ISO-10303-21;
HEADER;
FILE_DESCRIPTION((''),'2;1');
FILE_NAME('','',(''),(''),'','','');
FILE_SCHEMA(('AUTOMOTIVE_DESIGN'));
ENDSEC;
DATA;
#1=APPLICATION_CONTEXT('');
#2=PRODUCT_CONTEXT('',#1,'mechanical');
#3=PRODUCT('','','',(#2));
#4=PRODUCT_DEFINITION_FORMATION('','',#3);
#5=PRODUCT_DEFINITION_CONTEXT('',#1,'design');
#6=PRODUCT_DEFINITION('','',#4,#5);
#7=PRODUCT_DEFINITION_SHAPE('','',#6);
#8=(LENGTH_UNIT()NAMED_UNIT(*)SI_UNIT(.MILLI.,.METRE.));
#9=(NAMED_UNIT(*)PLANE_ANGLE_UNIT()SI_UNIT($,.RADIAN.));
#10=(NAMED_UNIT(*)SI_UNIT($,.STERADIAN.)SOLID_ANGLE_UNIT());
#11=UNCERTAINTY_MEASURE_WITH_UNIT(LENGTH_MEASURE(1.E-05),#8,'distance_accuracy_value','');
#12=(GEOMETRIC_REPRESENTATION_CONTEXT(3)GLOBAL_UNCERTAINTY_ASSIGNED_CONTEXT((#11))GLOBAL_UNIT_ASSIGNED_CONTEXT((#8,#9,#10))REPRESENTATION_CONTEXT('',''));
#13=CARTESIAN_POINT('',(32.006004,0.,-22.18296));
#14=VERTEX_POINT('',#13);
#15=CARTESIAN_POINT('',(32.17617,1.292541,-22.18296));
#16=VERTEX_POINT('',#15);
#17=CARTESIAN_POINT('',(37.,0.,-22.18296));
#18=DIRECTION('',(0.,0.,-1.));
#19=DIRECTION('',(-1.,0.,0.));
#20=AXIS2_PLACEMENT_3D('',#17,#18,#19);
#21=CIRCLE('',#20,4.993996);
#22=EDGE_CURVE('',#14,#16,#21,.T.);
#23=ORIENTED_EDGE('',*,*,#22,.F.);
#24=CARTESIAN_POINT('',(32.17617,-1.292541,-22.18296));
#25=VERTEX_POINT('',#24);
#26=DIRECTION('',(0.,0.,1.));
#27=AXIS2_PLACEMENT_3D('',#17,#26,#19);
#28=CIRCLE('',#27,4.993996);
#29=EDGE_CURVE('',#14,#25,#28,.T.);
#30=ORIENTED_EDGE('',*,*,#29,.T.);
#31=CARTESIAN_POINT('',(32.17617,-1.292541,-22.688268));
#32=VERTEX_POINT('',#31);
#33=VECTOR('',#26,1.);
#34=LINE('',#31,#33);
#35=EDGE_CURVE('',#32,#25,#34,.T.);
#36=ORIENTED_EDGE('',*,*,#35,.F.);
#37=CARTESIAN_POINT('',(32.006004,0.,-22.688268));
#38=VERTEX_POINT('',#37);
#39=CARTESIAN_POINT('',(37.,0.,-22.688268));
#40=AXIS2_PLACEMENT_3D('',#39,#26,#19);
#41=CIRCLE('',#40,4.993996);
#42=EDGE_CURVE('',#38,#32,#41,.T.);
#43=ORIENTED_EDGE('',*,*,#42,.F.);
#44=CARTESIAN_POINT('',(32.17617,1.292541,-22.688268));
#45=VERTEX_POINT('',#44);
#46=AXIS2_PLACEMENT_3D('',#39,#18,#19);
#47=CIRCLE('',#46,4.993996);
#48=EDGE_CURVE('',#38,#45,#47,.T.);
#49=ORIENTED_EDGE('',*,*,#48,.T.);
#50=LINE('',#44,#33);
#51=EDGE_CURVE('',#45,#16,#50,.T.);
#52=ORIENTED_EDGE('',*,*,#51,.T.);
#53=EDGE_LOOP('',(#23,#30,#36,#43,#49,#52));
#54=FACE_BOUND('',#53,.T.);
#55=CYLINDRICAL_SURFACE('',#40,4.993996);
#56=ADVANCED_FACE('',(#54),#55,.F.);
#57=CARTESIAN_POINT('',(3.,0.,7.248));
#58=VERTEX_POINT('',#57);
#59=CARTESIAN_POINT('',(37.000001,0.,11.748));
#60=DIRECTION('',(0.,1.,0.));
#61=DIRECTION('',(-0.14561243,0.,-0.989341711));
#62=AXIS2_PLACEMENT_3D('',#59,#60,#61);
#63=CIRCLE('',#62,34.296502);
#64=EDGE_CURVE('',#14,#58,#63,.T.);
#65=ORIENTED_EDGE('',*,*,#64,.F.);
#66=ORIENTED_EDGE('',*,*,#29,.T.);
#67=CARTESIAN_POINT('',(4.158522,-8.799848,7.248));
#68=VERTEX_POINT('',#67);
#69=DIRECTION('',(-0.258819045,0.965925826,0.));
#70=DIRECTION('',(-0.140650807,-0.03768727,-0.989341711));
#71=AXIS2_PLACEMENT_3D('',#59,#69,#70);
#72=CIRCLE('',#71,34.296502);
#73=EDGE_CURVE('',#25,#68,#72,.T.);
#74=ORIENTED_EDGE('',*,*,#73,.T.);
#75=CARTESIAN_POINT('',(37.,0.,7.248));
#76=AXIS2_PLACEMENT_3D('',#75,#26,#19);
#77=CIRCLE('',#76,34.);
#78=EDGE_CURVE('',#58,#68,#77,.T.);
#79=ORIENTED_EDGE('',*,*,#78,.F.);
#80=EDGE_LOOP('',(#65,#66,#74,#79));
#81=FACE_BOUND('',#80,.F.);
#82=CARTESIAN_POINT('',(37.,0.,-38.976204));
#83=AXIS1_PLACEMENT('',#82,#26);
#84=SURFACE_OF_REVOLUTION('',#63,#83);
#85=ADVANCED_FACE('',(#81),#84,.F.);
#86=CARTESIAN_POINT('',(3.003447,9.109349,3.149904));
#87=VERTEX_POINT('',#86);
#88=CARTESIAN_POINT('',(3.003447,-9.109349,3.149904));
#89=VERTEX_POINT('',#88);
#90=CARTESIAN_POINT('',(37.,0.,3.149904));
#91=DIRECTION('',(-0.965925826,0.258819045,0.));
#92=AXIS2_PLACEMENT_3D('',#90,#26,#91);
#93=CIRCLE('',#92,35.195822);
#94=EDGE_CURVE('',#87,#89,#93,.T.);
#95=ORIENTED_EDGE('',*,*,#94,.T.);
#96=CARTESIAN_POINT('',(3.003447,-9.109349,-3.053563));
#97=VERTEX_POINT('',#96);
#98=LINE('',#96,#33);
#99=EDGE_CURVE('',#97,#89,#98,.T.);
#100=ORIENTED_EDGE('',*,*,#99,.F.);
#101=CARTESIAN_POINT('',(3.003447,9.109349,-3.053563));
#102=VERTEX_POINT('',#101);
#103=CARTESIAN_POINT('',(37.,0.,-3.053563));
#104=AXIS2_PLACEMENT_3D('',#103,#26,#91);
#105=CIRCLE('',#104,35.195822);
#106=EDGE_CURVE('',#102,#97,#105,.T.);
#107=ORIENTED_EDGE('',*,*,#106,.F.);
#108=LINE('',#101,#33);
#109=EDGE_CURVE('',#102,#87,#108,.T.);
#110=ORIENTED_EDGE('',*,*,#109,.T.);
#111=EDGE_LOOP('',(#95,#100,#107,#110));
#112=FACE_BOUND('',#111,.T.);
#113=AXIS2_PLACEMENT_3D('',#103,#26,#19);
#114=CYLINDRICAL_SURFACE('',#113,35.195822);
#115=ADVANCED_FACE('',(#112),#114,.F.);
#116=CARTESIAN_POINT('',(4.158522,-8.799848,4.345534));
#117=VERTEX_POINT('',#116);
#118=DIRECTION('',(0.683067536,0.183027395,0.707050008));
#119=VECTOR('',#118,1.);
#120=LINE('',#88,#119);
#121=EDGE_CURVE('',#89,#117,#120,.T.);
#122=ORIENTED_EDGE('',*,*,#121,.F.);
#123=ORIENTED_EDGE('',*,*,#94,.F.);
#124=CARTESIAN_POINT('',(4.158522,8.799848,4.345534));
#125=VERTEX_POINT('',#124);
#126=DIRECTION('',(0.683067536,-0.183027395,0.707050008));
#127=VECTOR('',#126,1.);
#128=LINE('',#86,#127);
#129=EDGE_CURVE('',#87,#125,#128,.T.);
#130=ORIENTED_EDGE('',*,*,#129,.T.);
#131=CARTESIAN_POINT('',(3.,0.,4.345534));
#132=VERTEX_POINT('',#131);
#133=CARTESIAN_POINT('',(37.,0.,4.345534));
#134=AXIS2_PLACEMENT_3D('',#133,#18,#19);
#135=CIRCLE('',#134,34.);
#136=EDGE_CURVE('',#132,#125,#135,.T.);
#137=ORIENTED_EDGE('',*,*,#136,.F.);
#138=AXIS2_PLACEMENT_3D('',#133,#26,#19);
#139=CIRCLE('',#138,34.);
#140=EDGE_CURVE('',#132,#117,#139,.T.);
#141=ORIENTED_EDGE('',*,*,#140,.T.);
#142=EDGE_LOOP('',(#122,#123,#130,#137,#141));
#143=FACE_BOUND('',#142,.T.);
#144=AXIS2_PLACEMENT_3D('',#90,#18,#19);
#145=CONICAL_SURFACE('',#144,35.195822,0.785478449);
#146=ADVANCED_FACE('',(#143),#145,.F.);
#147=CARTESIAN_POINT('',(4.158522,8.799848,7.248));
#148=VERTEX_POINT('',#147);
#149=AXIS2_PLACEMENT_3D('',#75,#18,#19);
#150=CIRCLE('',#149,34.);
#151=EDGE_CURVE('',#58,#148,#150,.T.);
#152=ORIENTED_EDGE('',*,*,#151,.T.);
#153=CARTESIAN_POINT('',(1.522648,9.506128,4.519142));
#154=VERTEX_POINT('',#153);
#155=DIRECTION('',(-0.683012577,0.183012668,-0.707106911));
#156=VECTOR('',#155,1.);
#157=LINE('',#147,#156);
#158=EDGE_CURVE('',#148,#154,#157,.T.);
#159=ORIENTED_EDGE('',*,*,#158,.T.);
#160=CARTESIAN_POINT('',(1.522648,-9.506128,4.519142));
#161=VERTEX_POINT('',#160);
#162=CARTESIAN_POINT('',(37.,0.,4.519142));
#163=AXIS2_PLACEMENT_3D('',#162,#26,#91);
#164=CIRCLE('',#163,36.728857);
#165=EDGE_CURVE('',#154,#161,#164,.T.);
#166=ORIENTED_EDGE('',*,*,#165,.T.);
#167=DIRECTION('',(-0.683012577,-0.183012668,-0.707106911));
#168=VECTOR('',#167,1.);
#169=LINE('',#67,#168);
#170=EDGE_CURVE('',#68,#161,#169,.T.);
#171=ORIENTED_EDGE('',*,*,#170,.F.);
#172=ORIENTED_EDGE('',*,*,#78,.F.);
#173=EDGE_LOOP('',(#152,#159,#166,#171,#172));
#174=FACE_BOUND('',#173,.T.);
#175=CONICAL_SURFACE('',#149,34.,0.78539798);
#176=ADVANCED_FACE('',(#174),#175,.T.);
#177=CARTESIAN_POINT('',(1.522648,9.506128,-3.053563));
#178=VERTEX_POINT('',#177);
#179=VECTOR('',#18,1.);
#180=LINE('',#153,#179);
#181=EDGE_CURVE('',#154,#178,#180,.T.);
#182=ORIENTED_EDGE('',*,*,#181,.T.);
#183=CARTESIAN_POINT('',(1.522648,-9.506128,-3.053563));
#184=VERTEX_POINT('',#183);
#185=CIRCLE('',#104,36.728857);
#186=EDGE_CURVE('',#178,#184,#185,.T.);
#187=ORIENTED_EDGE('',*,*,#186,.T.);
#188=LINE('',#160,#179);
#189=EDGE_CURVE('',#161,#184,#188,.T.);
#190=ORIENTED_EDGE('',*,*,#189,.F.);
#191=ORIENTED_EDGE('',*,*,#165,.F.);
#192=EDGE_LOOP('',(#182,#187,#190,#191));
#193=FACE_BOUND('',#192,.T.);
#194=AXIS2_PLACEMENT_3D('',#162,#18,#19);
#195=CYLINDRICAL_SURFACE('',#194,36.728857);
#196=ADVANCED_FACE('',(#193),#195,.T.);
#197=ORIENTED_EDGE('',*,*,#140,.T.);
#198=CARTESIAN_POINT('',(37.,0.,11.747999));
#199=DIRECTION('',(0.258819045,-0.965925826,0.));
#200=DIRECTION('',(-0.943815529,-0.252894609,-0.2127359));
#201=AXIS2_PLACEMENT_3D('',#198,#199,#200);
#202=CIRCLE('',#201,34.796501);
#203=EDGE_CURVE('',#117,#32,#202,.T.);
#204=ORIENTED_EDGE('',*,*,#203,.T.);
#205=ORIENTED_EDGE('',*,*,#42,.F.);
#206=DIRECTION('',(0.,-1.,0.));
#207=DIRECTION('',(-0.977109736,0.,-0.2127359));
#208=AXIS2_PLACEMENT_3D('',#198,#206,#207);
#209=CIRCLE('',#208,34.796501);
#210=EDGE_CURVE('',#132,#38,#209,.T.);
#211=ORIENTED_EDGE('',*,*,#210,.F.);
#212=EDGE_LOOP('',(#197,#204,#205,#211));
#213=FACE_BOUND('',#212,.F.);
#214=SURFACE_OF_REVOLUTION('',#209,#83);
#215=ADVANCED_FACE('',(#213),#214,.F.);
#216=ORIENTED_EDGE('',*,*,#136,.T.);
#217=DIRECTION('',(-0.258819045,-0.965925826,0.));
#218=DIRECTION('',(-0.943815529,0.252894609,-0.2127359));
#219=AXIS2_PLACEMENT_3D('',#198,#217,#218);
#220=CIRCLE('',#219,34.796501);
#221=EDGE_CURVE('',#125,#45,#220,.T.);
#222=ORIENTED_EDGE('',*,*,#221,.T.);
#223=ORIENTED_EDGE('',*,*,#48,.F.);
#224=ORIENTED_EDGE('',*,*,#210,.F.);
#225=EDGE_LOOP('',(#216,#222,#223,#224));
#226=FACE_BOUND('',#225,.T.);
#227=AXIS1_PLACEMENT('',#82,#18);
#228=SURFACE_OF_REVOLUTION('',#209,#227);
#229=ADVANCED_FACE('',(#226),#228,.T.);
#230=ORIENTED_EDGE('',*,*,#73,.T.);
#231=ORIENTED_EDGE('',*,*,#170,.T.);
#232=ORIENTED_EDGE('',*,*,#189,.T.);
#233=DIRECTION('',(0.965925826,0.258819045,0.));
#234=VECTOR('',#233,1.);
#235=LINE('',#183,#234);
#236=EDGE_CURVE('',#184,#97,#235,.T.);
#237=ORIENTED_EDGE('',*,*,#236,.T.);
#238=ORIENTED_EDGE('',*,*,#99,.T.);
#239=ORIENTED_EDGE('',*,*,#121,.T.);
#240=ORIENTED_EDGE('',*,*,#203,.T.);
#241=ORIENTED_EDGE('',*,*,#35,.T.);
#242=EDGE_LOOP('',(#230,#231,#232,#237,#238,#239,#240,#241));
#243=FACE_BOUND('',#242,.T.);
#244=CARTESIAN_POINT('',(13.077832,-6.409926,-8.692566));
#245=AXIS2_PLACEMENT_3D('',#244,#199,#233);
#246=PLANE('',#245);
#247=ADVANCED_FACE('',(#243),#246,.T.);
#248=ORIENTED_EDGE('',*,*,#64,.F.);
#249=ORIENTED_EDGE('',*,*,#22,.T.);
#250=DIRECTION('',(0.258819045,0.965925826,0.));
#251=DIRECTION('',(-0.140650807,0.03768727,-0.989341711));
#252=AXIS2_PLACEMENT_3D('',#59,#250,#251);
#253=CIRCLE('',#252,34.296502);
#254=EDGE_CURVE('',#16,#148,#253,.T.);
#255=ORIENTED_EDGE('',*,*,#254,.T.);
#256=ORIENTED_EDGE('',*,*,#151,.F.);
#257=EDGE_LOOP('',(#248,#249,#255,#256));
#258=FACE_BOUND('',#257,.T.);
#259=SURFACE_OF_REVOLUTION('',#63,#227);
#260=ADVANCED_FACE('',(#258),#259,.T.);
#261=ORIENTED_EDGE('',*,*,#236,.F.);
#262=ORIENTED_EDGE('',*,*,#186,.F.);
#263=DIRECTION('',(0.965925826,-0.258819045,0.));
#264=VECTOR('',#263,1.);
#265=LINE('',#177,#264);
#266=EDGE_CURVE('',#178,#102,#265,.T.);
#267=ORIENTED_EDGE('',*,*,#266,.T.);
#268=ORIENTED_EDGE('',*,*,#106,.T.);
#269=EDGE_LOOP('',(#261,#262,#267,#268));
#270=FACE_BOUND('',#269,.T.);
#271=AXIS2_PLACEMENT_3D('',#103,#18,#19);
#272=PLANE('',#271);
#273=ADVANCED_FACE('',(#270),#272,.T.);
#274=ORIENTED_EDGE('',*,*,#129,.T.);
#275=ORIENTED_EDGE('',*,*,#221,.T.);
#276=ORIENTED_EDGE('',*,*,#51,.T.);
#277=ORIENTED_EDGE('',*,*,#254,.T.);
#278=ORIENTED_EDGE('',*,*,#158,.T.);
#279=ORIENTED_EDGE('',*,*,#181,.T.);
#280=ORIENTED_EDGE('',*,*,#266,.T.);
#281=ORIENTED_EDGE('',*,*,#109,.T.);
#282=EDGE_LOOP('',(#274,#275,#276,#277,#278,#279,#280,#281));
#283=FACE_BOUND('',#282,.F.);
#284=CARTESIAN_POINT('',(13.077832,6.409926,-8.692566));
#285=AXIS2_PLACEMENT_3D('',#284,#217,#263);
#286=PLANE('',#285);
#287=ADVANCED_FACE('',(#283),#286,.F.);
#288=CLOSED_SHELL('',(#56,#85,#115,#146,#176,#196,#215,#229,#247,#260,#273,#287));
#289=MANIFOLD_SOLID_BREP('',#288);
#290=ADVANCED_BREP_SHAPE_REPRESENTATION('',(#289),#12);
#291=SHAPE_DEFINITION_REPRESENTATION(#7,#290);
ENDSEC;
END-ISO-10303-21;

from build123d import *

# Parameters (mm, degrees)
F1_ANGLE = 30


with BuildPart() as f1:
    # F0 (on Front) → F1 (revolve, symmetric)
    with BuildSketch(Plane.XZ) as f1_sk:
        with BuildLine():
            ThreePointArc((32.006004, -22.18296), (12.573001, -12.326296), (3, 7.248))
            Line((3, 7.248), (0.271143, 4.519142))
            Line((0.271143, 4.519142), (0.271143, -3.053563))
            Line((0.271143, -3.053563), (1.601774, -3.053563))
            Line((1.601774, -3.053563), (1.804178, -3.053563))
            Line((1.804178, -3.053563), (1.804178, 3.149904))
            Line((1.804178, 3.149904), (3, 4.345534))
            ThreePointArc((3, 4.345534), (13.27576, -13.706999), (32.006004, -22.688268))
            Line((32.006004, -22.688268), (32.006004, -22.18296))
        make_face()
    revolve(axis=Axis((37, 0, -38.976204), (0, 0, 1)), revolution_arc=F1_ANGLE / 2)
    revolve(f1_sk.sketch, axis=Axis((37, 0, -38.976204), (0, 0, -1)), revolution_arc=F1_ANGLE / 2)


solid = f1.part
